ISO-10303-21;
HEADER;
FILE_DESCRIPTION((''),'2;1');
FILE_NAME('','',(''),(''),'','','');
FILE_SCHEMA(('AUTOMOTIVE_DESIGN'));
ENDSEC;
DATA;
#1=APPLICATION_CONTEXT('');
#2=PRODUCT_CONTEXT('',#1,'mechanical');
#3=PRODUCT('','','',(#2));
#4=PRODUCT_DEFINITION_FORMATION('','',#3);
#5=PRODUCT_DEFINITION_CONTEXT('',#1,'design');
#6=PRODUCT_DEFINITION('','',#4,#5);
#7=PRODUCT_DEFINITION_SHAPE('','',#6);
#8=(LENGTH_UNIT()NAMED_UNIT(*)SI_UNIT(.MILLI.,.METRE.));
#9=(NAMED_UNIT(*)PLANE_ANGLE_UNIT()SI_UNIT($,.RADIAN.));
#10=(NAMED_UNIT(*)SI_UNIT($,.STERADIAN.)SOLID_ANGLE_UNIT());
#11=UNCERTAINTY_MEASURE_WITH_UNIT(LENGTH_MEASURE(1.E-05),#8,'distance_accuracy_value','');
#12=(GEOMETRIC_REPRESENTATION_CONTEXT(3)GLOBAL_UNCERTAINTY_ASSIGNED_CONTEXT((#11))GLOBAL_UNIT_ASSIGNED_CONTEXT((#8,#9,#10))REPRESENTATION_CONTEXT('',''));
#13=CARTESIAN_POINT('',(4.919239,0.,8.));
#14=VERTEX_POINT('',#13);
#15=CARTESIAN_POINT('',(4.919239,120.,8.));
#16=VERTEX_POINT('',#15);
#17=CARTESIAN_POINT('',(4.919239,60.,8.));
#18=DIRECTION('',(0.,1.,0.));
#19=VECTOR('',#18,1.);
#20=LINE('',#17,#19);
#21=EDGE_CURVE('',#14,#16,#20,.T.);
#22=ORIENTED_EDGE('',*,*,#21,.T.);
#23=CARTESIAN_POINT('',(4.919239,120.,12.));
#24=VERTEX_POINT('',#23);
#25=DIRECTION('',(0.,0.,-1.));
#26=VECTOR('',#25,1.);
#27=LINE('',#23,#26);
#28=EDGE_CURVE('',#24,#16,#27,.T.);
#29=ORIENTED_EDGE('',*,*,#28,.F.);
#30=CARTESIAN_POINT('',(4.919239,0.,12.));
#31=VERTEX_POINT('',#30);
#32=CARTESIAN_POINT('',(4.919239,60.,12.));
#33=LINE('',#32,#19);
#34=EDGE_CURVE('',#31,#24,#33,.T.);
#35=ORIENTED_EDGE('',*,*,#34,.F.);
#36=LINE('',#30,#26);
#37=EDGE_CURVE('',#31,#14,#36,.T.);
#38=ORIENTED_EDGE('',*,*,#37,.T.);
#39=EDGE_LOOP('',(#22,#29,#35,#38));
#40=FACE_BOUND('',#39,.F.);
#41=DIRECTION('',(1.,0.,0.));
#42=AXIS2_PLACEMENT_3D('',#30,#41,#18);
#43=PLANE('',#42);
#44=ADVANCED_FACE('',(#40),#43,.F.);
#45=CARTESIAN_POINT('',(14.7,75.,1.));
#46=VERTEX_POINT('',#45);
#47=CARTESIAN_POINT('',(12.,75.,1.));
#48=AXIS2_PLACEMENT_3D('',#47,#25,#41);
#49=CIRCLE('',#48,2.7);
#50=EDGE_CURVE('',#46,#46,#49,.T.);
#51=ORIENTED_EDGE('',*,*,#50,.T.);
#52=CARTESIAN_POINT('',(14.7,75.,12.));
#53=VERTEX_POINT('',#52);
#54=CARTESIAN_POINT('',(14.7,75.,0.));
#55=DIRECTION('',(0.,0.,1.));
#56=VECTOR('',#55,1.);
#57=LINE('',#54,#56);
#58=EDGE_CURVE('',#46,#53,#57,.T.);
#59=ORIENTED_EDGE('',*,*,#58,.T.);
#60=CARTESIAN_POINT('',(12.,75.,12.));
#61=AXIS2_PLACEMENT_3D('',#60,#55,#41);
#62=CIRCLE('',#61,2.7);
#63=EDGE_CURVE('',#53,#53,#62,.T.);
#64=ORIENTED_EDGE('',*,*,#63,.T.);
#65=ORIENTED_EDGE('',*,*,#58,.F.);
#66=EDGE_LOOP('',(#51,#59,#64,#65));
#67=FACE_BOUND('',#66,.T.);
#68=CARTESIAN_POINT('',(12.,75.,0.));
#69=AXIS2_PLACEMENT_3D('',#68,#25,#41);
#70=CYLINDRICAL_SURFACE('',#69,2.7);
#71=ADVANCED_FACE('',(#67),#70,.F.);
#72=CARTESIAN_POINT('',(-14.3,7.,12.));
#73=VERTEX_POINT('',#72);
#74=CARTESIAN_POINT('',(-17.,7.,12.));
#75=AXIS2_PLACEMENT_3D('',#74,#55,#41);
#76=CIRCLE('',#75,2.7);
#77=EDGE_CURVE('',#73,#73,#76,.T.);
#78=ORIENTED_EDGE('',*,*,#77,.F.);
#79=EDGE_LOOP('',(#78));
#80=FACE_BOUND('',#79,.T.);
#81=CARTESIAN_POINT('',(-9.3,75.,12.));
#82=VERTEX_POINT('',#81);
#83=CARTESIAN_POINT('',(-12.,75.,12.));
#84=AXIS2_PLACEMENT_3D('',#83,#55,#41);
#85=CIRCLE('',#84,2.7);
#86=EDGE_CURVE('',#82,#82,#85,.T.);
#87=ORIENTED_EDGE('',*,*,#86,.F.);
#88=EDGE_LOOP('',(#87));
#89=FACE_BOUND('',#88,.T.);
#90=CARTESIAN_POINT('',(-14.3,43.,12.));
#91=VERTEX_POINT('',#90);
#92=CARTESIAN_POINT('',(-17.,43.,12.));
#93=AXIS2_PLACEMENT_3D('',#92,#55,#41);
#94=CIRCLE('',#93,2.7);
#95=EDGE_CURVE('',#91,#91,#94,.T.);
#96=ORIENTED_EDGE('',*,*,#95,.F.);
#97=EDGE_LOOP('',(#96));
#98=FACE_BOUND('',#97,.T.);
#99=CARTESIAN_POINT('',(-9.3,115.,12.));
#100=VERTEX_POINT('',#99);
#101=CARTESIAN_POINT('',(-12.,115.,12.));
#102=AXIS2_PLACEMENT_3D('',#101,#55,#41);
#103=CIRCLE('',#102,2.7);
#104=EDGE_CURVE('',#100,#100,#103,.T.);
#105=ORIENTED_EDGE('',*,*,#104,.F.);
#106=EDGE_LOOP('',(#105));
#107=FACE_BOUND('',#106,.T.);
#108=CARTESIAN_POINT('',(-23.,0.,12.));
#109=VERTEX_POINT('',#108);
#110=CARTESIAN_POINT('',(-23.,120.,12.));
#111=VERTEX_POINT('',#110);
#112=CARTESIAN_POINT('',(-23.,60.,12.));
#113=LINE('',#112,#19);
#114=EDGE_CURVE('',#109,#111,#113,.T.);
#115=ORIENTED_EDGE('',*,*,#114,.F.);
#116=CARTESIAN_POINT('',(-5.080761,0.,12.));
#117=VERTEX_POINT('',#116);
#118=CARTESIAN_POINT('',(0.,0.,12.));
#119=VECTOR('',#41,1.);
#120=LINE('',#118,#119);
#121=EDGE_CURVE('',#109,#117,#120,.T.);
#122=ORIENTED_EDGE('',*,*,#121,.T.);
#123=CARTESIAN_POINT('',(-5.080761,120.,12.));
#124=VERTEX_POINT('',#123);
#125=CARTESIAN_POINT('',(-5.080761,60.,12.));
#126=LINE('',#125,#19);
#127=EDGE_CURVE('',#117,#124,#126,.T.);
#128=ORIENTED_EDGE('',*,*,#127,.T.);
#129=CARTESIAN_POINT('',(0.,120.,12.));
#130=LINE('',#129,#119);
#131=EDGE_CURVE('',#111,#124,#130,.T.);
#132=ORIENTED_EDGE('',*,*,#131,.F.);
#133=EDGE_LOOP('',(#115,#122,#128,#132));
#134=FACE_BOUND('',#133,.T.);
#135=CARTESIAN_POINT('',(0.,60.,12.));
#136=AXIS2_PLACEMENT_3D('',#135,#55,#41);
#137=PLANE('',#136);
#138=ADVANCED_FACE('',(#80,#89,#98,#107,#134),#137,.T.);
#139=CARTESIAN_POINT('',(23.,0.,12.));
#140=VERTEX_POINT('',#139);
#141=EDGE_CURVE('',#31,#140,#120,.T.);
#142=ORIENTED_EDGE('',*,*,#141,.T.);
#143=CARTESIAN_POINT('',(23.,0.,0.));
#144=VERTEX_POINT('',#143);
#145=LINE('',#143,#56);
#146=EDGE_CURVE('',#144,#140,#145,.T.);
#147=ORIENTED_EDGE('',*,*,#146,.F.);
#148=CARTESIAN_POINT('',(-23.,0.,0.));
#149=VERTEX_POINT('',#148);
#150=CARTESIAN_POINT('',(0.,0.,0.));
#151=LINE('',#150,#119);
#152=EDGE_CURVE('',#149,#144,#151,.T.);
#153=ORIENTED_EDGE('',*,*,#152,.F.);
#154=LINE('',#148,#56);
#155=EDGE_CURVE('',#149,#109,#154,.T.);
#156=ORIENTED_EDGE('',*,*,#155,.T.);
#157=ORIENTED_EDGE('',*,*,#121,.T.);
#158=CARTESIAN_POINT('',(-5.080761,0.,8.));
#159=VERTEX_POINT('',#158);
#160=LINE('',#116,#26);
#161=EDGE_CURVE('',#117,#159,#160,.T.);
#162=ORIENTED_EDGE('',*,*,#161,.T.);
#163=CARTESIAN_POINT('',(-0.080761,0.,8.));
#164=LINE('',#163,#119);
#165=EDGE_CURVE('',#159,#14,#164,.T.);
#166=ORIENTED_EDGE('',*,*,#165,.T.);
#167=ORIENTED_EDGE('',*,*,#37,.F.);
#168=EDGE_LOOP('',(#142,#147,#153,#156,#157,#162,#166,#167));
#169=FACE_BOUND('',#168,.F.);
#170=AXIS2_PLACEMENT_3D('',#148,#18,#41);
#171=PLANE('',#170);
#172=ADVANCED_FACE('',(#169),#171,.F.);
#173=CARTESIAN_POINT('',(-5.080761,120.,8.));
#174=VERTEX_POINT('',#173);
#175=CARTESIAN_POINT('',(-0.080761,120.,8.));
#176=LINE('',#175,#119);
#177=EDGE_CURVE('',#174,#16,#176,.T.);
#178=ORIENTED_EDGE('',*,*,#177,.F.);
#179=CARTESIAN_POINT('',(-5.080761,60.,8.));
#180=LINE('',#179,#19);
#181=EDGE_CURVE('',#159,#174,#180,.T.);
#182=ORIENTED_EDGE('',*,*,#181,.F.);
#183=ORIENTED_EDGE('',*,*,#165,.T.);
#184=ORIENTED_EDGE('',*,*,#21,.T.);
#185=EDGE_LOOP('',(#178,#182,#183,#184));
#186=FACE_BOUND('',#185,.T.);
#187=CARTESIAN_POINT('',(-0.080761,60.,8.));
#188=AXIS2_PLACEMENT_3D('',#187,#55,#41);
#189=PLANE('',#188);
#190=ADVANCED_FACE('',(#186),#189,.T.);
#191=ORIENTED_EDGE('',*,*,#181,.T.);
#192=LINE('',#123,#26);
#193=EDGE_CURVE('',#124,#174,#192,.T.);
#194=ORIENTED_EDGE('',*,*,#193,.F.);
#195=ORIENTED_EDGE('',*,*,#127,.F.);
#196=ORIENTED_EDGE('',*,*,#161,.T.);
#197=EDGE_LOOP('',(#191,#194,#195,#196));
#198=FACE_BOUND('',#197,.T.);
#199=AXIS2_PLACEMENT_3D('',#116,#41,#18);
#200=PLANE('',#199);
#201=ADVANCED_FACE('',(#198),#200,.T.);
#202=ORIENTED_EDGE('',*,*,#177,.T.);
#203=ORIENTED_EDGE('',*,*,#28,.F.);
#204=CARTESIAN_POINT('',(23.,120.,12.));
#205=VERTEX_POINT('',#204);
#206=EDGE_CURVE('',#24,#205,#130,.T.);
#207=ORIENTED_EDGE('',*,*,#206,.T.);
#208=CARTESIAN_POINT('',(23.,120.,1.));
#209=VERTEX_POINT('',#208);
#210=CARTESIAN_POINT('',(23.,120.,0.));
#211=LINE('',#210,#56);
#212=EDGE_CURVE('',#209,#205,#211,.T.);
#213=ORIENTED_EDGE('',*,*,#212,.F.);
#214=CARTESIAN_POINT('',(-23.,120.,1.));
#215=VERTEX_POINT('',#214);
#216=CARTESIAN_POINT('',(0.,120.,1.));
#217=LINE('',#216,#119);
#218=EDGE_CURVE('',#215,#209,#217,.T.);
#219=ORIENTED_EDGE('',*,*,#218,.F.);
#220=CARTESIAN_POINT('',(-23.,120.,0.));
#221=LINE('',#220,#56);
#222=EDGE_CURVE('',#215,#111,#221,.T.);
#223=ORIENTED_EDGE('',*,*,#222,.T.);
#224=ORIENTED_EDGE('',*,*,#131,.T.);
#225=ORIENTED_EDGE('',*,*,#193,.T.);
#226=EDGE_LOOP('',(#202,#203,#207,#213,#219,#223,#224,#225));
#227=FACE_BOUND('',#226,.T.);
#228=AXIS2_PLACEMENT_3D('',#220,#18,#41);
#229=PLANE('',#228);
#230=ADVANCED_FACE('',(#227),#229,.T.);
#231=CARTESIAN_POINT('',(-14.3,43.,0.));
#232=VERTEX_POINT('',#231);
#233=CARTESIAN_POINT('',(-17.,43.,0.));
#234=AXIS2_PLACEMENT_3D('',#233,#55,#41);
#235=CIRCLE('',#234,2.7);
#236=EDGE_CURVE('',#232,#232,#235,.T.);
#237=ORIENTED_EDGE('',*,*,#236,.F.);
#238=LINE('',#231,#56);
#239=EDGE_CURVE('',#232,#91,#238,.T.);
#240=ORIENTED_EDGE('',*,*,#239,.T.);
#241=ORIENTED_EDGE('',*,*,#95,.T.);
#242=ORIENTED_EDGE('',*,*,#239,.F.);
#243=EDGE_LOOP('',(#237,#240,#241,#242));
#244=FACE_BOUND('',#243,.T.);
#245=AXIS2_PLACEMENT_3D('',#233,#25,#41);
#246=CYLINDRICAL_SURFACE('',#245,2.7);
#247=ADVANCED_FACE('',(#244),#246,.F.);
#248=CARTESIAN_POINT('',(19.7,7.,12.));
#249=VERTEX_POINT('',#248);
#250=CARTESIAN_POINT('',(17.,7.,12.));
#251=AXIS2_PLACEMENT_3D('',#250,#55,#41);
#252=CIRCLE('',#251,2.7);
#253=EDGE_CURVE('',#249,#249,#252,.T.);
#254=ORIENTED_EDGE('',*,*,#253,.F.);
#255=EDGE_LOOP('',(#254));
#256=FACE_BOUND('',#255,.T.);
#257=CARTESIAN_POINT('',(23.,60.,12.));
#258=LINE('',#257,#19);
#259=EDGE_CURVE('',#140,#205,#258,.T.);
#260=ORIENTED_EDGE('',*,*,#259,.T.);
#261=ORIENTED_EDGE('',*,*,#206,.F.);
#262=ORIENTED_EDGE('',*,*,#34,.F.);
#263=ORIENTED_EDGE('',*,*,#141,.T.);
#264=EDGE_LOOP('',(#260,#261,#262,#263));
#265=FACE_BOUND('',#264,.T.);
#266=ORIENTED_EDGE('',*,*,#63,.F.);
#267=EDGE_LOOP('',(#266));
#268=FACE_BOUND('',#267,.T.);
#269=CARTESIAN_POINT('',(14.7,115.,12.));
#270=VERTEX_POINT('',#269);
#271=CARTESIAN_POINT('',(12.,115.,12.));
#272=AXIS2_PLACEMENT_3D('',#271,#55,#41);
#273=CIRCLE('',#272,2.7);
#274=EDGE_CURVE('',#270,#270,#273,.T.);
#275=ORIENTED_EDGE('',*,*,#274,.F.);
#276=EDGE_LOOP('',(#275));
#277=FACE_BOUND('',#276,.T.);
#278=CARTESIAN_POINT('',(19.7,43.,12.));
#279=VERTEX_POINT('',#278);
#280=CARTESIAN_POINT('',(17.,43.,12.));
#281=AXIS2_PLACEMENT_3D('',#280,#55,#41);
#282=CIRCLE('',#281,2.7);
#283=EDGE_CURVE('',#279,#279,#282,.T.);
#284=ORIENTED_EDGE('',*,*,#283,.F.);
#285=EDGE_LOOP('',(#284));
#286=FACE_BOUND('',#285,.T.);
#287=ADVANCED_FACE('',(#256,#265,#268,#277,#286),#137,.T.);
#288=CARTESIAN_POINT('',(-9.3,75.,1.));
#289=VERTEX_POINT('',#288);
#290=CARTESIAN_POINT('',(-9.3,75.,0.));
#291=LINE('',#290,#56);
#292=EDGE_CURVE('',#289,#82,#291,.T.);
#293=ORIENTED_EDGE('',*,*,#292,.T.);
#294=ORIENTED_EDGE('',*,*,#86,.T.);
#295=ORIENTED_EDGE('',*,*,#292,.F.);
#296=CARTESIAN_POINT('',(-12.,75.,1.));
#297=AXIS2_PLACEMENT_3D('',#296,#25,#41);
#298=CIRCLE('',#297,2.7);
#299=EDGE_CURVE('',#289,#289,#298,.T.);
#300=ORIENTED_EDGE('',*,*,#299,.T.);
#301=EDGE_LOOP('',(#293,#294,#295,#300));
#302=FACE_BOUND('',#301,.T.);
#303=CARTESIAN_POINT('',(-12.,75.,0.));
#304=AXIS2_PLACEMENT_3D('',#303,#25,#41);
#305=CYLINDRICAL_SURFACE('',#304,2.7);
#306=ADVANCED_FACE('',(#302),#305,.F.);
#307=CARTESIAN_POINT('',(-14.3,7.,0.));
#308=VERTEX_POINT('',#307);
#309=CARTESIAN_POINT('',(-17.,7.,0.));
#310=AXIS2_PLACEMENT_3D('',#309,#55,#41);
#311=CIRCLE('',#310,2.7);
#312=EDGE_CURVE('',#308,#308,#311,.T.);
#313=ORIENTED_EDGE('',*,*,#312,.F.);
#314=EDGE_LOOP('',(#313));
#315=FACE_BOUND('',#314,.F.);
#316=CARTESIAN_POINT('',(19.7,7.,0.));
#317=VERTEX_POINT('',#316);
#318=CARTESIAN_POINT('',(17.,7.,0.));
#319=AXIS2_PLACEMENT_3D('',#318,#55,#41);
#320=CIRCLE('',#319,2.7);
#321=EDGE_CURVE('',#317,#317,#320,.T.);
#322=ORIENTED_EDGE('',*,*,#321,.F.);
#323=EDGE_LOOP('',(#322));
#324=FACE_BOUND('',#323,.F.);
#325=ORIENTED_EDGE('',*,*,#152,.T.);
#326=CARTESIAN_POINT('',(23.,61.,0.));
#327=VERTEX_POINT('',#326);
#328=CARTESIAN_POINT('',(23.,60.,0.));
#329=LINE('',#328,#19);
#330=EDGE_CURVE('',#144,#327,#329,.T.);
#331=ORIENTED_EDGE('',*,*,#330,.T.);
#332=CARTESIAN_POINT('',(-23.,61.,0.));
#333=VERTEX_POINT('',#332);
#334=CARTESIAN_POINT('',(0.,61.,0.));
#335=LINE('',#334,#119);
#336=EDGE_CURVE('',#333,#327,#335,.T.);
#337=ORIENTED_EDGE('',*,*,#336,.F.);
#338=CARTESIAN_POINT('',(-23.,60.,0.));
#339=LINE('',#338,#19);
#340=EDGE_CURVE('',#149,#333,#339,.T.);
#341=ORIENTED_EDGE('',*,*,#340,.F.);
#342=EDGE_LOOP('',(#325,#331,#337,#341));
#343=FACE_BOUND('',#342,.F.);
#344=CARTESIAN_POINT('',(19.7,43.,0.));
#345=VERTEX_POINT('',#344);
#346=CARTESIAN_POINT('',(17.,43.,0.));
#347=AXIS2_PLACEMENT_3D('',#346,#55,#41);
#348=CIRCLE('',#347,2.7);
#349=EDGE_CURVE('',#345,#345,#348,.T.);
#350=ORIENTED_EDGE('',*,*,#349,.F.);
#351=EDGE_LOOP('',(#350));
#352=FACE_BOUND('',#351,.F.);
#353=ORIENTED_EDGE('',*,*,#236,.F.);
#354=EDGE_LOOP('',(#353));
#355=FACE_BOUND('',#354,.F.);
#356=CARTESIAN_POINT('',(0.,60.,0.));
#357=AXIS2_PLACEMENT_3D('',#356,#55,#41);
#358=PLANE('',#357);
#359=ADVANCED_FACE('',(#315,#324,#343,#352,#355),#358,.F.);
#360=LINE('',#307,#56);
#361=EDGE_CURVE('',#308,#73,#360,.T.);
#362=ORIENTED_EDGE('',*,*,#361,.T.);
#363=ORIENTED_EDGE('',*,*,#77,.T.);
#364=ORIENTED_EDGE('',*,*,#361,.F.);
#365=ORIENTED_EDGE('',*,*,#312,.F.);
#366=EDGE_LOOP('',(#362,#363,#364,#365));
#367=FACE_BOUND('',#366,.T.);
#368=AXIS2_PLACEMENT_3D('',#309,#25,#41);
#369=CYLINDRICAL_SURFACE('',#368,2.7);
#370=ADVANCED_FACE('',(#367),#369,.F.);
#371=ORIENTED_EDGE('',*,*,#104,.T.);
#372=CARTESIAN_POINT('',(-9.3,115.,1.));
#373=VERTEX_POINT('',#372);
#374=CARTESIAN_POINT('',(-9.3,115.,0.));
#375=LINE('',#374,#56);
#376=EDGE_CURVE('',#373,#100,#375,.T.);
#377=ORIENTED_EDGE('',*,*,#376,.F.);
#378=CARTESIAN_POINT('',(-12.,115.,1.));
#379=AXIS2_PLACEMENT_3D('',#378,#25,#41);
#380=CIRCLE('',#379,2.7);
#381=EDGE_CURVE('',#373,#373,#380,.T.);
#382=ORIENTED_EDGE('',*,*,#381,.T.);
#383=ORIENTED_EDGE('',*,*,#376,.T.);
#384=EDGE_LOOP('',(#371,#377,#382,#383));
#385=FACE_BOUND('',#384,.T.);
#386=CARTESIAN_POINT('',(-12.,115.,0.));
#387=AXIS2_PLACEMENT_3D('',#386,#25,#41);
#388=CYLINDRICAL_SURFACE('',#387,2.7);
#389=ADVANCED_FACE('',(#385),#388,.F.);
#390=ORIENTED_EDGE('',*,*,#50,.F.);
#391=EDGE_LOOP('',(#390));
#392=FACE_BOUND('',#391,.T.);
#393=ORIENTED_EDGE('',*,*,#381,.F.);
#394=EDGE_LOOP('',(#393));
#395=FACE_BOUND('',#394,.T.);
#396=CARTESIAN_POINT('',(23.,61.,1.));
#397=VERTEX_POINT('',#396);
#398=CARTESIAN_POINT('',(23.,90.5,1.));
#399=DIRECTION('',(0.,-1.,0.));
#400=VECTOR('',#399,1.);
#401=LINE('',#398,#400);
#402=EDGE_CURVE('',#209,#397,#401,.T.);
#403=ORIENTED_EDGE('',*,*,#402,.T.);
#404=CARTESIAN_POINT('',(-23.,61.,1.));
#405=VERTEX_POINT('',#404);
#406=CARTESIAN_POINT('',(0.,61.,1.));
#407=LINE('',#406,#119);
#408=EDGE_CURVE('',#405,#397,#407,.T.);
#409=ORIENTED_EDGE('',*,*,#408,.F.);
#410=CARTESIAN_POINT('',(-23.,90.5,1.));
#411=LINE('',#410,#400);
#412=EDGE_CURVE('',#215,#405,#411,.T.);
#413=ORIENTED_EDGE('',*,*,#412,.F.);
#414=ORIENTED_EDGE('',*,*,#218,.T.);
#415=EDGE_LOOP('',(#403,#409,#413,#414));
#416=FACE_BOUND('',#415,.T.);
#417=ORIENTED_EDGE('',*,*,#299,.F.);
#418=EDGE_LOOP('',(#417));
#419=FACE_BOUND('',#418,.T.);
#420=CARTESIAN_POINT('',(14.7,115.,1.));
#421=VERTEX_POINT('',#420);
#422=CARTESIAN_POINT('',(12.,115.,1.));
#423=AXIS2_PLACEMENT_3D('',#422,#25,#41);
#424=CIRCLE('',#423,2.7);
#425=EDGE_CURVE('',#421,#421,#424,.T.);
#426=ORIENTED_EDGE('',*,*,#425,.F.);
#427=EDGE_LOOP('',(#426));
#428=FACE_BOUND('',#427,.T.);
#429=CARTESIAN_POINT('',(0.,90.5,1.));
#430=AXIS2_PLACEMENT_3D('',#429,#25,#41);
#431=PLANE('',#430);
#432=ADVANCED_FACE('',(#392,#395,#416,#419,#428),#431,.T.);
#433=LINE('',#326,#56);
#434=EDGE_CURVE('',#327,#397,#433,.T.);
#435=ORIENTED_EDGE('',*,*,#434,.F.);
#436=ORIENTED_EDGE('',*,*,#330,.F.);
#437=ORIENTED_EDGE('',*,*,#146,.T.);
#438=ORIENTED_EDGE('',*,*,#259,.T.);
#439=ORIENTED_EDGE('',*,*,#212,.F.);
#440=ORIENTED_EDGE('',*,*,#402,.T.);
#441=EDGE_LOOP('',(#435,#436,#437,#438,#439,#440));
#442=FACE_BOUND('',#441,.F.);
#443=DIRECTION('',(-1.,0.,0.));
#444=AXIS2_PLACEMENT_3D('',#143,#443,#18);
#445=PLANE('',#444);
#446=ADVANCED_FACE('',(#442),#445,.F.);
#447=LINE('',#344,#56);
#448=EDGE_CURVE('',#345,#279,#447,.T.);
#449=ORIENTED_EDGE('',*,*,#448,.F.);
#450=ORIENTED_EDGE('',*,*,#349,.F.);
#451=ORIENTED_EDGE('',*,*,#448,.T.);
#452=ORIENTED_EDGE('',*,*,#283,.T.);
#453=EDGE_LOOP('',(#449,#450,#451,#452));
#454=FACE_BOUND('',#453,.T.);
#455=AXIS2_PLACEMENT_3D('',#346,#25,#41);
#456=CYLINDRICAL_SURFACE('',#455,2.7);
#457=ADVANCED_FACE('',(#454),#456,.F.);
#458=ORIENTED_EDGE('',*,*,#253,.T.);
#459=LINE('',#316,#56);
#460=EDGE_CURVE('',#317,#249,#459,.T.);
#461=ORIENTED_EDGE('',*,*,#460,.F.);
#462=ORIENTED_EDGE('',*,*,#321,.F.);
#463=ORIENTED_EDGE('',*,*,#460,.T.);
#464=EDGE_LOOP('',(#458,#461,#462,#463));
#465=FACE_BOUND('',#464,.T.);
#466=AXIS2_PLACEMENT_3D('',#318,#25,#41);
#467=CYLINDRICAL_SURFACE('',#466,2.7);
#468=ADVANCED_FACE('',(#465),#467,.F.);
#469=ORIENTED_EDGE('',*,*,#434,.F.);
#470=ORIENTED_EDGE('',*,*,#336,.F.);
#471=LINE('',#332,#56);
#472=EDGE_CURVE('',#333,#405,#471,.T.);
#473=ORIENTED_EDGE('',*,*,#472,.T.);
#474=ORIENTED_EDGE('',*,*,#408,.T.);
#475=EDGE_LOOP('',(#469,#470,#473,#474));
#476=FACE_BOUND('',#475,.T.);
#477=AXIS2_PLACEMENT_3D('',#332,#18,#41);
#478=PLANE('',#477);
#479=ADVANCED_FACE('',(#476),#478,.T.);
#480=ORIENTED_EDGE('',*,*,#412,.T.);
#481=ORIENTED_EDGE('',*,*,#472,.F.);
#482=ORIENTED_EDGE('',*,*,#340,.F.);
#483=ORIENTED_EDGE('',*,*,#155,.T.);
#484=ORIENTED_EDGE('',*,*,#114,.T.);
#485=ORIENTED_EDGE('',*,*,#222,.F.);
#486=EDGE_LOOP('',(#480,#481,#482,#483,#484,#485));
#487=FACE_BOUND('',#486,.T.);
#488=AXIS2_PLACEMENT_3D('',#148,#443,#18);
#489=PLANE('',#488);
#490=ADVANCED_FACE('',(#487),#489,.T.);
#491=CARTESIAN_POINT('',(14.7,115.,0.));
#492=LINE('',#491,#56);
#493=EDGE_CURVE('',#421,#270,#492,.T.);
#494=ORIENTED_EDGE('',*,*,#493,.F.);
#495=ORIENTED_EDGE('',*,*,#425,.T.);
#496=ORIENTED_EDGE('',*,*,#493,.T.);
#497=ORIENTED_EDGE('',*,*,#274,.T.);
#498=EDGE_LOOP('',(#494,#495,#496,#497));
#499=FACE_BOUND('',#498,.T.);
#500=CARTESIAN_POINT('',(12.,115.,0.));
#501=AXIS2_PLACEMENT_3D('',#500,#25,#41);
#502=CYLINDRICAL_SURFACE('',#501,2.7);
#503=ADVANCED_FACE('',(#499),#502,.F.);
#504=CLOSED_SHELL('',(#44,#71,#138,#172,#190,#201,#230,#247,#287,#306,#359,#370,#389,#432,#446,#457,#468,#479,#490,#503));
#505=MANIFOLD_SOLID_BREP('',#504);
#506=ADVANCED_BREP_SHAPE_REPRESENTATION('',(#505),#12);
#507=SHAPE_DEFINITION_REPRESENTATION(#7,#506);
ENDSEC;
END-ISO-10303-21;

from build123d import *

# Parameters (mm, degrees)
SKETCH_W        = 46
SKETCH_H        = 120
SKETCH_R        = 2.7
PAD_DEPTH       = 12
SKETCH001_W     = 10
SKETCH001_H     = 120
POCKET_DEPTH    = 4
SKETCH002_W     = 46
SKETCH002_H     = 59
POCKET001_DEPTH = 1


with BuildPart() as part:
    # Sketch → Pad (new body)
    with BuildSketch(Plane.XY):
        with Locations((0, 60)):
            Rectangle(SKETCH_W, SKETCH_H)
        with Locations((-17, 7)):
            Circle(SKETCH_R, mode=Mode.SUBTRACT)
        with Locations((-17, 43)):
            Circle(SKETCH_R, mode=Mode.SUBTRACT)
        with Locations((17, 43)):
            Circle(SKETCH_R, mode=Mode.SUBTRACT)
        with Locations((17, 7)):
            Circle(SKETCH_R, mode=Mode.SUBTRACT)
        with Locations((-12, 115)):
            Circle(SKETCH_R, mode=Mode.SUBTRACT)
        with Locations((12, 115)):
            Circle(SKETCH_R, mode=Mode.SUBTRACT)
        with Locations((12, 75)):
            Circle(SKETCH_R, mode=Mode.SUBTRACT)
        with Locations((-12, 75)):
            Circle(SKETCH_R, mode=Mode.SUBTRACT)
    extrude(amount=PAD_DEPTH)

    # Sketch001 (on Face14 of Pad) → Pocket (cut)
    with BuildSketch(Plane.XY.offset(12)):
        with Locations((-0.080761, 60)):
            Rectangle(SKETCH001_W, SKETCH001_H)
    extrude(amount=-POCKET_DEPTH, mode=Mode.SUBTRACT)

    # Sketch002 (on Face2 of Pocket) → Pocket001 (cut)
    with BuildSketch(Plane(origin=(0, 0, 0), x_dir=(1, 0, 0), z_dir=(0, 0, -1))):
        with Locations((0, -90.5)):
            Rectangle(SKETCH002_W, SKETCH002_H)
    extrude(amount=-POCKET001_DEPTH, mode=Mode.SUBTRACT)


solid = part.part
